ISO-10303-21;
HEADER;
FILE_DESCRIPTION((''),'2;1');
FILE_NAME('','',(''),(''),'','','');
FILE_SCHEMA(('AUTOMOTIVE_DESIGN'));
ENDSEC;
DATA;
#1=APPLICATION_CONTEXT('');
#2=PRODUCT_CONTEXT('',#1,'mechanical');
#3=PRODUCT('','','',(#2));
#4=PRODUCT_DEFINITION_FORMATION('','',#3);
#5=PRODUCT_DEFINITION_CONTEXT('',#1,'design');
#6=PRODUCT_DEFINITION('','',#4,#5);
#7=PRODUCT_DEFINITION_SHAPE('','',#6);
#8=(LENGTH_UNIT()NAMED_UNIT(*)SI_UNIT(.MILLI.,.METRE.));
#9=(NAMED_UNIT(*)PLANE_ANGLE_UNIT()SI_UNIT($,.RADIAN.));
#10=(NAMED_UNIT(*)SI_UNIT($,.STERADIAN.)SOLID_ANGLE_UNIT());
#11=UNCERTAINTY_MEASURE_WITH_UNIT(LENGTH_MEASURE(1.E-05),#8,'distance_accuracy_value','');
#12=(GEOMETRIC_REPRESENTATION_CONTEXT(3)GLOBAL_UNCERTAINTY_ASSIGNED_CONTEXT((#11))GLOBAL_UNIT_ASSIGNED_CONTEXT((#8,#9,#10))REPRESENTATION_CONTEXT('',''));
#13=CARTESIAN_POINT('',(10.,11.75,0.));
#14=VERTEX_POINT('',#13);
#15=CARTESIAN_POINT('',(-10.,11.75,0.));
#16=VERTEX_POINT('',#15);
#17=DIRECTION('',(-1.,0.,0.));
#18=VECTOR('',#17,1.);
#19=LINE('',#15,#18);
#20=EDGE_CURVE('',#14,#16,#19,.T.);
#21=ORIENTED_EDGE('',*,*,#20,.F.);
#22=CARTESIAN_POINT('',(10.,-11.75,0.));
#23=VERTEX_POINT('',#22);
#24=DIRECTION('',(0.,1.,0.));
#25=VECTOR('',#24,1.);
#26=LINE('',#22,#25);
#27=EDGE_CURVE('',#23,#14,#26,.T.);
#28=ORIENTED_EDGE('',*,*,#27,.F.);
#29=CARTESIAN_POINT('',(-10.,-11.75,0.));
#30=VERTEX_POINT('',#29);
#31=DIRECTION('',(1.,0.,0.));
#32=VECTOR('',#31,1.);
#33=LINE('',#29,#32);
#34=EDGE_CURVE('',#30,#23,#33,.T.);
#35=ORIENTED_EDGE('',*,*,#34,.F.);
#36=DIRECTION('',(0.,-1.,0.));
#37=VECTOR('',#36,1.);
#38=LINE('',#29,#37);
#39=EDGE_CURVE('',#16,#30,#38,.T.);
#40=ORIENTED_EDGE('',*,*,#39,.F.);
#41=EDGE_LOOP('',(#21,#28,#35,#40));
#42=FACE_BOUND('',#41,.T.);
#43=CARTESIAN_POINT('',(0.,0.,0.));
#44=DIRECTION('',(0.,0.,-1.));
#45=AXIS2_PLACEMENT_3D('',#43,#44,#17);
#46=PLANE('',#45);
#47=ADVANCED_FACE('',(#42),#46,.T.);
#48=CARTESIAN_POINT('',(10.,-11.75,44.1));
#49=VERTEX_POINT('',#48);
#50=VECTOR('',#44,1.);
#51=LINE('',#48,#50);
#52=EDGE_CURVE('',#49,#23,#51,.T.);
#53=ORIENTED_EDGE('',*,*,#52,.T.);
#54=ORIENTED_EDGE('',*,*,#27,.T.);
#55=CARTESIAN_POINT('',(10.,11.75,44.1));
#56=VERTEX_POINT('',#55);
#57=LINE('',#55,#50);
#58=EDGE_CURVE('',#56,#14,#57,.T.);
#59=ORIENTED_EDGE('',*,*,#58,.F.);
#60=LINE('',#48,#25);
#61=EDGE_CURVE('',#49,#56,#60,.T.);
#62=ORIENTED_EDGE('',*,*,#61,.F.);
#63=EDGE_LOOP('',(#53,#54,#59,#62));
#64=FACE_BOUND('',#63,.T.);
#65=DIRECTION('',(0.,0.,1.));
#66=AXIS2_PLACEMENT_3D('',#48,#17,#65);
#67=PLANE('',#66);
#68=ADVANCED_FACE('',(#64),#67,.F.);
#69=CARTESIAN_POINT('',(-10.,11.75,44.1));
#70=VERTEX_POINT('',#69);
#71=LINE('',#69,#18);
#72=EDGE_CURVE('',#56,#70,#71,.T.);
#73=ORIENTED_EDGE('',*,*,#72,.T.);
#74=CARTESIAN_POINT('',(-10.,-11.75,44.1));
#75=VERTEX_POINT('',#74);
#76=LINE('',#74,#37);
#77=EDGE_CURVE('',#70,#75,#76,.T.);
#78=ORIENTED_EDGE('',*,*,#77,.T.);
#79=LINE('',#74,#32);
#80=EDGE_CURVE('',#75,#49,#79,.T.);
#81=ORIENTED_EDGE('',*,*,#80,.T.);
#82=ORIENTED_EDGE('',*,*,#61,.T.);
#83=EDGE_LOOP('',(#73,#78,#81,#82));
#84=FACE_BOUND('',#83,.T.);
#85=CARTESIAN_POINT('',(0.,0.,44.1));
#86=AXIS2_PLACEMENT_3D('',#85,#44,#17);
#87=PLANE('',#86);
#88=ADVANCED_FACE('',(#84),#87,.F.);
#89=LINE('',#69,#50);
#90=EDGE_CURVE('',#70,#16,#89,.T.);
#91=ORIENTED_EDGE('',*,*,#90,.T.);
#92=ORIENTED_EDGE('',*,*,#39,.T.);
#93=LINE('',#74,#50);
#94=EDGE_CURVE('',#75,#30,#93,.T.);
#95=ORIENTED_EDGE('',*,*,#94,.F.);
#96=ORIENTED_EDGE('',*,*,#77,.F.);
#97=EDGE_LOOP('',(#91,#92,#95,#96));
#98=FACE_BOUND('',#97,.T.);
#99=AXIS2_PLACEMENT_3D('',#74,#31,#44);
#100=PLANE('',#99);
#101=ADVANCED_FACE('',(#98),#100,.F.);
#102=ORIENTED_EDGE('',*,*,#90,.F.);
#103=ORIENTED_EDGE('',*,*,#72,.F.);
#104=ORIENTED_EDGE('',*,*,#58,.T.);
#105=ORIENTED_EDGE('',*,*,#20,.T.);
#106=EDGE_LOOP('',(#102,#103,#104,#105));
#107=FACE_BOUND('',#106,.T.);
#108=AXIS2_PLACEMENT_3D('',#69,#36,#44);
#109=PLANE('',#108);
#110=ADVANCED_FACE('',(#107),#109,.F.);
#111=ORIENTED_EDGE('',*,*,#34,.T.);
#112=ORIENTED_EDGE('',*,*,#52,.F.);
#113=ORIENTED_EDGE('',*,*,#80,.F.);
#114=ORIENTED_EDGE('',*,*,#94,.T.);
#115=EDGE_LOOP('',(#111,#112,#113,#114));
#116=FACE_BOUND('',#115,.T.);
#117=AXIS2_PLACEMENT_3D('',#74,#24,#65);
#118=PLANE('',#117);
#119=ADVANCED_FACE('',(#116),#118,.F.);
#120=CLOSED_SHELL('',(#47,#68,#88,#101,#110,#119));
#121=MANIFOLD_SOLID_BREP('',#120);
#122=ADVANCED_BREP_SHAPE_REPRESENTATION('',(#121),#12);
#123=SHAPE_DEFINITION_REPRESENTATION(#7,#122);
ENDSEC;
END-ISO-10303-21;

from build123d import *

# Parameters (mm, degrees)
SKETCH1_W      = 20
SKETCH1_H      = 23.5
ENVELOPE_DEPTH = 44.1


with BuildPart() as part:
    # Sketch1 → Envelope (new body)
    with BuildSketch(Plane.XY):
        Rectangle(SKETCH1_W, SKETCH1_H)
    extrude(amount=ENVELOPE_DEPTH)


solid = part.part
